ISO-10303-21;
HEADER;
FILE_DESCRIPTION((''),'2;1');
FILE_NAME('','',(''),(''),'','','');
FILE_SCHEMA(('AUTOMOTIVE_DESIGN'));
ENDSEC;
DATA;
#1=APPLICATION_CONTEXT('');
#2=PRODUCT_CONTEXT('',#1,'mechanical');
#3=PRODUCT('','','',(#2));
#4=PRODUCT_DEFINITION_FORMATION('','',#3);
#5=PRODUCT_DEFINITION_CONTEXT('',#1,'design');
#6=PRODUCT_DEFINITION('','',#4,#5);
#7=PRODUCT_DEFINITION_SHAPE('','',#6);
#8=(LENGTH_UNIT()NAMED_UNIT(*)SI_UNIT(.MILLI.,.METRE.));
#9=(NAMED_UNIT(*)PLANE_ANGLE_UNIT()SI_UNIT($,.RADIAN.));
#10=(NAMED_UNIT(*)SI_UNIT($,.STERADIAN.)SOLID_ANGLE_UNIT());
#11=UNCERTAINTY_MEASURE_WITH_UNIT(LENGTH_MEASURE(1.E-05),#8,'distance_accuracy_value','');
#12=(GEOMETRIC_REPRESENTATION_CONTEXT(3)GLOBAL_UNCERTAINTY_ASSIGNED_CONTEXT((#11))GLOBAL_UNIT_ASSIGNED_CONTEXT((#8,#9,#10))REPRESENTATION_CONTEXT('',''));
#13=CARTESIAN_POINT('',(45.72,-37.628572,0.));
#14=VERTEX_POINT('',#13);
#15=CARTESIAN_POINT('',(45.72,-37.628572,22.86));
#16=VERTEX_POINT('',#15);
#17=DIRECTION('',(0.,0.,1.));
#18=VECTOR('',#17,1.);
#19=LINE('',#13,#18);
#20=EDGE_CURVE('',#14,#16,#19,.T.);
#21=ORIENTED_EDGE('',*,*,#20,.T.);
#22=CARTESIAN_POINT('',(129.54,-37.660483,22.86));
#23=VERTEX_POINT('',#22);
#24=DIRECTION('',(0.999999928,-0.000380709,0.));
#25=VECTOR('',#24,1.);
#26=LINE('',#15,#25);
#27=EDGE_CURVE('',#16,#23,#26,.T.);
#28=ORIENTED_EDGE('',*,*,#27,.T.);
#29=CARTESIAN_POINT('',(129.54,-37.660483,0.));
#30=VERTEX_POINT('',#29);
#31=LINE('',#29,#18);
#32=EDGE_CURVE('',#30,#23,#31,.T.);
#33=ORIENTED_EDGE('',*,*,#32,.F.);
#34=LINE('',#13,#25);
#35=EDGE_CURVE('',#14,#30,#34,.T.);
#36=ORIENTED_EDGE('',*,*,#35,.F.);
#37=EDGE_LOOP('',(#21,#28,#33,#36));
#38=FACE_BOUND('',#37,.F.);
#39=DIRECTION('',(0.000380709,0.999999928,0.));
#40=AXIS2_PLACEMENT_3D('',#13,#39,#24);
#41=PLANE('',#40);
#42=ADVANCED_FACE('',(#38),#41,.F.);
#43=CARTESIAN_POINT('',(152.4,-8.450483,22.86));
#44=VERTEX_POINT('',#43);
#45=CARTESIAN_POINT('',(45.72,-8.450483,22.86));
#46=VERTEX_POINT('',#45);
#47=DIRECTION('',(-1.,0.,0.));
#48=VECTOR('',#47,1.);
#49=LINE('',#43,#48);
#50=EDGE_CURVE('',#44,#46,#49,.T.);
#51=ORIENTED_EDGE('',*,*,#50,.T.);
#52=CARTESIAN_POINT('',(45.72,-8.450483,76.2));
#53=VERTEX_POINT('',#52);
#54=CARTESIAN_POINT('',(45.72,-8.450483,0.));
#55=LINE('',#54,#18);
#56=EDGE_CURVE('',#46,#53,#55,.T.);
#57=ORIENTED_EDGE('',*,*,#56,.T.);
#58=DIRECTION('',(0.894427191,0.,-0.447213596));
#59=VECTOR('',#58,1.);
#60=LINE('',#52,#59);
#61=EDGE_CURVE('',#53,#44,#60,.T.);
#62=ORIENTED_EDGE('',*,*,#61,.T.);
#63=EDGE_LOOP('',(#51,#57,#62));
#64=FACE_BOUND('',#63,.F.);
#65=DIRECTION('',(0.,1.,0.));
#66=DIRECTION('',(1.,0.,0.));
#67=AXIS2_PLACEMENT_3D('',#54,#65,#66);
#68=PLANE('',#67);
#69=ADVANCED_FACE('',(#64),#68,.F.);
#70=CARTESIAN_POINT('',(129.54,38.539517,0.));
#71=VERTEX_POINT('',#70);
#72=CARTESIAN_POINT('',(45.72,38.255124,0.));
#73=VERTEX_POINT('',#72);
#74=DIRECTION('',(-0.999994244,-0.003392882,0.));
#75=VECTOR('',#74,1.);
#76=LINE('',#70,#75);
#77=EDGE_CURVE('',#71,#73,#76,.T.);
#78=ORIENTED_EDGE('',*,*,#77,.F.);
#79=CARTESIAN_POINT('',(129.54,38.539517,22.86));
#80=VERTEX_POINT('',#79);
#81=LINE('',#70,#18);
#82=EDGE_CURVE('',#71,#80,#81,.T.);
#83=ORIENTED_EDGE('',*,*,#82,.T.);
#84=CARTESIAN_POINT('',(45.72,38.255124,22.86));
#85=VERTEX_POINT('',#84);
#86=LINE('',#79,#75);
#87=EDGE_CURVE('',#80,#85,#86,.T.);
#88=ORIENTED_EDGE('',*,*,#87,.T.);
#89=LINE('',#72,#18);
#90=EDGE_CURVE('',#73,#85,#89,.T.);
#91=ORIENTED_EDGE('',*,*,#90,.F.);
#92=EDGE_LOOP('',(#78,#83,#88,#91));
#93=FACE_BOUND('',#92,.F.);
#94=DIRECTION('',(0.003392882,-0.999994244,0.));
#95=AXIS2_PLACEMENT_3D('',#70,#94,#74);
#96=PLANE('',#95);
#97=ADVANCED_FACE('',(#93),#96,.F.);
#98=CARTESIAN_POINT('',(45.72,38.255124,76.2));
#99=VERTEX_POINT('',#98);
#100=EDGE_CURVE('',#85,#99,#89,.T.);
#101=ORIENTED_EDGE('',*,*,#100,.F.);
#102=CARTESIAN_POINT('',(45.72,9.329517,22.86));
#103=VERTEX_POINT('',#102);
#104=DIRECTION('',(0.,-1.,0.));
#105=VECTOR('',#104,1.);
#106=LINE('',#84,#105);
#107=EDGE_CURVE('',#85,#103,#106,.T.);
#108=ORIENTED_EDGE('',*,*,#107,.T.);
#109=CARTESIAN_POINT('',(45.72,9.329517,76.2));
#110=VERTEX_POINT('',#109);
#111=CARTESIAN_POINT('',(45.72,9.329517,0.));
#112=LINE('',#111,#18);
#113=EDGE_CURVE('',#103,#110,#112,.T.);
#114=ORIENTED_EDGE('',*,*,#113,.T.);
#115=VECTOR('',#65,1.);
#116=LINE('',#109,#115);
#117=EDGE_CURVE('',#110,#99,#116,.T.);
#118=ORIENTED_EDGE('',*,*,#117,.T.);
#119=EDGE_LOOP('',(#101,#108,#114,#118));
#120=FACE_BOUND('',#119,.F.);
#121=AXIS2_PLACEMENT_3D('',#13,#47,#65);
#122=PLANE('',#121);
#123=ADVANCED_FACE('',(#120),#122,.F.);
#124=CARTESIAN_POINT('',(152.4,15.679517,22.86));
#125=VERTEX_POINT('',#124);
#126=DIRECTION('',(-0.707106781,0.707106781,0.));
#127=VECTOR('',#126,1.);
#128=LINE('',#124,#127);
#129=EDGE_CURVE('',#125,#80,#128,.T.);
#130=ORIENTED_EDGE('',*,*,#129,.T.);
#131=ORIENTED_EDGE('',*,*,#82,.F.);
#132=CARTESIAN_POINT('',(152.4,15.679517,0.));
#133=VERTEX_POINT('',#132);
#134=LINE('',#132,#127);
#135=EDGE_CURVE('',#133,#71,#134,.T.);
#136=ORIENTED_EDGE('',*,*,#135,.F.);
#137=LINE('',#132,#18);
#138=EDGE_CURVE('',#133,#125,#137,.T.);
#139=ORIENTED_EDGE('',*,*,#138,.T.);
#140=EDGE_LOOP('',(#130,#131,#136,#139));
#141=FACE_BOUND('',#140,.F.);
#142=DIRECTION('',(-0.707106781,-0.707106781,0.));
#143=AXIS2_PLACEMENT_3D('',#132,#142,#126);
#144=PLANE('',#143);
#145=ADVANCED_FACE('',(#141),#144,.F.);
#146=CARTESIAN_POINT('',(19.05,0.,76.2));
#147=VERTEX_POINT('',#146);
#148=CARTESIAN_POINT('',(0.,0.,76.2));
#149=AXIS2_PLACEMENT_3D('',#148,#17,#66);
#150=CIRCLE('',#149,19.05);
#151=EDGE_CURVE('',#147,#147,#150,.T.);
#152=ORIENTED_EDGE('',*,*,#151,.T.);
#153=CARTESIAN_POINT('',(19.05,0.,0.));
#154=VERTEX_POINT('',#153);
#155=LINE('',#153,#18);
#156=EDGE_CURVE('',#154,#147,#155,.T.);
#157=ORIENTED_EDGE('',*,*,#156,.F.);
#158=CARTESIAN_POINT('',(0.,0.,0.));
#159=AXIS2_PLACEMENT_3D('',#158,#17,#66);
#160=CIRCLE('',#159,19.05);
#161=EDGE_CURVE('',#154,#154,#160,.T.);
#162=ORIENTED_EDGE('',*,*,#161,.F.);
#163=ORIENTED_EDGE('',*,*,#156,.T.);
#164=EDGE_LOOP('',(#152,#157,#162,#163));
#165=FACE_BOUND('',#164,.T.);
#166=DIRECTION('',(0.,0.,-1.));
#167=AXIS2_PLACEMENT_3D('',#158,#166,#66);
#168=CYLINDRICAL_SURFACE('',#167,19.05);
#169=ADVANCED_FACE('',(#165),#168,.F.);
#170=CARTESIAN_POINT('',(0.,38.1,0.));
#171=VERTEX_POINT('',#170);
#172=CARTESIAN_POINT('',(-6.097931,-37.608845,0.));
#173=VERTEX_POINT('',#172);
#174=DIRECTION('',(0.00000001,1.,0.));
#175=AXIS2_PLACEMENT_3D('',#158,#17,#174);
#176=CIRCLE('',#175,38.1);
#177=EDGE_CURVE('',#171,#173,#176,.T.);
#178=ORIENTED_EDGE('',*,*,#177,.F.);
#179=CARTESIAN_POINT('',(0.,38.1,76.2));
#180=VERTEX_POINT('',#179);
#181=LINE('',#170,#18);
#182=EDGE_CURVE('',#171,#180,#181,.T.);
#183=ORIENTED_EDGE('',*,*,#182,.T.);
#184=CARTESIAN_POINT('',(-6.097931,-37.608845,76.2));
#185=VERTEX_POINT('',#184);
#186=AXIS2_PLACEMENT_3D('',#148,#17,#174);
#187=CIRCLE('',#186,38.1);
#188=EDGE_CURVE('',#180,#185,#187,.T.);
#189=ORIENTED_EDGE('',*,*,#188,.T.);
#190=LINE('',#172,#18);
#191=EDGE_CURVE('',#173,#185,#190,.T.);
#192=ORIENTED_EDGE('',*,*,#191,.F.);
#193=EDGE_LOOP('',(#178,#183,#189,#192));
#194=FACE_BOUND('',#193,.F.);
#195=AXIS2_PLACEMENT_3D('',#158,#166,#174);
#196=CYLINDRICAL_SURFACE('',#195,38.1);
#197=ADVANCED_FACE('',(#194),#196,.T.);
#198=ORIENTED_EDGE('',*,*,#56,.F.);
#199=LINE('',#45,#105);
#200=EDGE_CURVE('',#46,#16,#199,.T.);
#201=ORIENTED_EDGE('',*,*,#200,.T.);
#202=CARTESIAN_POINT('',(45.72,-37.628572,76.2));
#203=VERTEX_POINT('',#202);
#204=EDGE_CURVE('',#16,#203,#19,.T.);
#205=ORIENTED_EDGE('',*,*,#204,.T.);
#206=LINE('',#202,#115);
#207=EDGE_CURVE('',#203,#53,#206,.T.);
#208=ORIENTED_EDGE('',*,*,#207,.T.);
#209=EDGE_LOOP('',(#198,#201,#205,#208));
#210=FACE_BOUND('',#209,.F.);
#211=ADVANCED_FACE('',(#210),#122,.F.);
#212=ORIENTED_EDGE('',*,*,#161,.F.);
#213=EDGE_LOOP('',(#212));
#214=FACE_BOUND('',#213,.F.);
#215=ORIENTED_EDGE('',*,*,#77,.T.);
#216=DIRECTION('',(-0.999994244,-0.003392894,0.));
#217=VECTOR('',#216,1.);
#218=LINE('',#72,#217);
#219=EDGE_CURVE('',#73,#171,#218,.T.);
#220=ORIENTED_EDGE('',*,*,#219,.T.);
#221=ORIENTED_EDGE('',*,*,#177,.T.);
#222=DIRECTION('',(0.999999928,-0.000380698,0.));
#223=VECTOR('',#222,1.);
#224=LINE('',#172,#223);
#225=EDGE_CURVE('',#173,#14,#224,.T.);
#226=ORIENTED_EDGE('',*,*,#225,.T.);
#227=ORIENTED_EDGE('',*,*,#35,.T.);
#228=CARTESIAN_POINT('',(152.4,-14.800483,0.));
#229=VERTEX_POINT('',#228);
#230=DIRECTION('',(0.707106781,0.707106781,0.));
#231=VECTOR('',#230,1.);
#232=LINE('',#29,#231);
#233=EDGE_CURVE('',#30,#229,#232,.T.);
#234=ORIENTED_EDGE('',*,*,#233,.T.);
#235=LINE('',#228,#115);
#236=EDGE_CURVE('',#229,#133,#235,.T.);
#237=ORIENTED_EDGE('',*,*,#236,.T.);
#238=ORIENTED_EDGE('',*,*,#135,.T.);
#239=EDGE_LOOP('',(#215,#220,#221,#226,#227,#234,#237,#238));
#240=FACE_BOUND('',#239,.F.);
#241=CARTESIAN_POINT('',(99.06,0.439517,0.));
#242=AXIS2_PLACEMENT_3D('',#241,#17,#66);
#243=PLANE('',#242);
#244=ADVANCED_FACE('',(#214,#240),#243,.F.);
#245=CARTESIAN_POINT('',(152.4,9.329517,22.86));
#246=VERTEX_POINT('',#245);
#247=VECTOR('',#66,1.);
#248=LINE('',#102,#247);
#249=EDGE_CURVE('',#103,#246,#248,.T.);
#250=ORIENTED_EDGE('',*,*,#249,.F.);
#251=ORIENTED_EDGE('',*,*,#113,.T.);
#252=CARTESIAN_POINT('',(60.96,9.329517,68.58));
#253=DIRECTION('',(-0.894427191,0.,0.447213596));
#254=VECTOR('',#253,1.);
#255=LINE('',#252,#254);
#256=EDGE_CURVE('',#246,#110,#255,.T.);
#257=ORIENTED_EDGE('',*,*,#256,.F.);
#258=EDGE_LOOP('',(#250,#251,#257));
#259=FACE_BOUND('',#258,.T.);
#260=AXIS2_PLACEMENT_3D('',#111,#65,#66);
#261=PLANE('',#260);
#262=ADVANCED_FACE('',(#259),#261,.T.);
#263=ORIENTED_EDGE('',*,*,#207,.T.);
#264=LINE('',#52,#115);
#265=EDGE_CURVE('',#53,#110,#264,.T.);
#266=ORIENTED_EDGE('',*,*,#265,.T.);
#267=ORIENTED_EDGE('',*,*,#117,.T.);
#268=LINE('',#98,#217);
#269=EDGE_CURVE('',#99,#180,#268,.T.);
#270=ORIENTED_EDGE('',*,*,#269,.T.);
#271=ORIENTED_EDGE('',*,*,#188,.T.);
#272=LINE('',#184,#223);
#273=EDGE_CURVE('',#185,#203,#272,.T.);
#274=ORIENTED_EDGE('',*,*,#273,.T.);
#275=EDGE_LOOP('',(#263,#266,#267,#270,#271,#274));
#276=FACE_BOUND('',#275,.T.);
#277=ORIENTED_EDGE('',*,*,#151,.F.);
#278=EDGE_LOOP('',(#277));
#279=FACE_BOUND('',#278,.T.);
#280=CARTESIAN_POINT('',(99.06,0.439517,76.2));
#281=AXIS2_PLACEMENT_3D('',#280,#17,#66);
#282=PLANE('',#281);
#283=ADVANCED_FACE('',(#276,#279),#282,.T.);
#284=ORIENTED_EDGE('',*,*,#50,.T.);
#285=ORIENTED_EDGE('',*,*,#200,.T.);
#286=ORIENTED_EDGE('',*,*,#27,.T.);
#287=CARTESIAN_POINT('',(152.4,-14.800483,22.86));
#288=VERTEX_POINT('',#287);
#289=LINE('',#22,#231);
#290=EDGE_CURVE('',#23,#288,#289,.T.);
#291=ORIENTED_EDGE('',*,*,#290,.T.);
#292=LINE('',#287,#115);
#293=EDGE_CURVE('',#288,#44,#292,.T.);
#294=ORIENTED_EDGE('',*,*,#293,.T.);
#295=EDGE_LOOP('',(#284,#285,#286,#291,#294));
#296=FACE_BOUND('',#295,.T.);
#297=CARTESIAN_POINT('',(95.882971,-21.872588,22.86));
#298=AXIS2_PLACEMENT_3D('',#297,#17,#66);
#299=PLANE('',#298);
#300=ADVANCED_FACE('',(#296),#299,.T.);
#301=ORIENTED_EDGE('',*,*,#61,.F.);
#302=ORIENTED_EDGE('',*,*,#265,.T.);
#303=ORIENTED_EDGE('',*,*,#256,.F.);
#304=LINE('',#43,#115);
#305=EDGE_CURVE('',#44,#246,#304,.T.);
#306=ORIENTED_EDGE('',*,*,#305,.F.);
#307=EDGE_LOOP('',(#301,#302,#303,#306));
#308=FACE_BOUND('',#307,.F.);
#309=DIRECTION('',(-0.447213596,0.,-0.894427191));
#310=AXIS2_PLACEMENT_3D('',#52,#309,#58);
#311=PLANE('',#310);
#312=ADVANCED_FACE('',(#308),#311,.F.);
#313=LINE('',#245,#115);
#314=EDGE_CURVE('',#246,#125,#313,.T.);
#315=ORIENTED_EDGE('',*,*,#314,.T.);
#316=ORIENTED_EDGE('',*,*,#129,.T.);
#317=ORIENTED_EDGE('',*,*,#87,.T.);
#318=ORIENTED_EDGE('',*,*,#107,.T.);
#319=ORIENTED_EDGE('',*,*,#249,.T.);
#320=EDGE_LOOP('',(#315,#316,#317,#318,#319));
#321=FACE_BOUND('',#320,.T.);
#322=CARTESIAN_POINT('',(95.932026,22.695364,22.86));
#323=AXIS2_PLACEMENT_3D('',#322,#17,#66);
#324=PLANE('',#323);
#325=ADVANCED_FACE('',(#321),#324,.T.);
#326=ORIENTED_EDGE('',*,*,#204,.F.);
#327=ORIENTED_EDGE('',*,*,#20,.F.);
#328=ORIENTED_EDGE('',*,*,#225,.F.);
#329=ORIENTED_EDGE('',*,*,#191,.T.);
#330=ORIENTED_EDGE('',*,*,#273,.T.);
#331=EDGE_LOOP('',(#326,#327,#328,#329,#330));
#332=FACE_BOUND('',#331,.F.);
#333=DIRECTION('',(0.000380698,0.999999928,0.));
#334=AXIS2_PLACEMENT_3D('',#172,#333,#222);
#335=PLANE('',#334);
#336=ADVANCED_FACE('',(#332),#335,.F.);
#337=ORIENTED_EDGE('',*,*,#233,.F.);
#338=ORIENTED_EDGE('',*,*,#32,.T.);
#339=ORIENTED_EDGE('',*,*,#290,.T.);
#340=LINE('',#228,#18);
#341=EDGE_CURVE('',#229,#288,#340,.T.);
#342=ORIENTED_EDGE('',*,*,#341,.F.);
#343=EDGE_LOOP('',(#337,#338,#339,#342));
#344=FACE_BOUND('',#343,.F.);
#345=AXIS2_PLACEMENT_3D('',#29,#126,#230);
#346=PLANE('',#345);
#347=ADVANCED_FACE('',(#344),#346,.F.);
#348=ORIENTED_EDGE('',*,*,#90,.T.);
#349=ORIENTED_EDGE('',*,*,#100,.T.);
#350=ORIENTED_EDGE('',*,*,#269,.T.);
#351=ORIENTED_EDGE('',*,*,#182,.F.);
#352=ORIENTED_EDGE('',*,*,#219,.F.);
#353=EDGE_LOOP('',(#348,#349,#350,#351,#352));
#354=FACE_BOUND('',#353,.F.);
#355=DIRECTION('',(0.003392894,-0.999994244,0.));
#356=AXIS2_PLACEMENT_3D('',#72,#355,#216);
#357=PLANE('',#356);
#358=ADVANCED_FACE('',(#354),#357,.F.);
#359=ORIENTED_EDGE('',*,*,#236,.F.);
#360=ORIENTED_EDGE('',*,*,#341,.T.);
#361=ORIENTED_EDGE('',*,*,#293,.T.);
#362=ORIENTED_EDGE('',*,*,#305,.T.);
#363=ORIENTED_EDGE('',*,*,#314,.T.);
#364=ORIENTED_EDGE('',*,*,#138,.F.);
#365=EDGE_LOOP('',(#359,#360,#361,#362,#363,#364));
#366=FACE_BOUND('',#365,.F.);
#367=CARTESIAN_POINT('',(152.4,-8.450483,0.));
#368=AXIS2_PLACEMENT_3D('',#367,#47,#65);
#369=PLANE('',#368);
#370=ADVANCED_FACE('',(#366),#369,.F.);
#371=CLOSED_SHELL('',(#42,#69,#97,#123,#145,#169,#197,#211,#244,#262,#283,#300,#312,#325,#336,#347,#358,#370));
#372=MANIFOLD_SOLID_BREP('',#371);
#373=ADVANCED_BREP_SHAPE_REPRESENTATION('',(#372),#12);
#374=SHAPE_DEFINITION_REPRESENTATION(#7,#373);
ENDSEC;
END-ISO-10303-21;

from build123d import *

# Parameters (mm, degrees)
F1_DEPTH = 22.86
F0_R     = 19.05
F2_DEPTH = 76.2
F3_DEPTH = 22.86
F0_W     = 106.68
F0_H     = 17.78
F4_DEPTH = 76.2
F6_DEPTH = 25.4


with BuildPart() as f1:
    # F0 (on Top) → F1 (new body)
    with BuildSketch(Plane.XY):
        Polygon((45.72, -8.450483), (45.72, -37.628572), (129.54, -37.660483), (152.4, -14.800483), (152.4, -8.450483), align=None)
    extrude(amount=F1_DEPTH)

    # F0 (on Top) → F2 (join)
    with BuildSketch(Plane.XY):
        with BuildLine():
            Line((45.72, 38.255124), (0, 38.1))
            ThreePointArc((0, 38.1), (-37.977013, 3.05884), (-6.097931, -37.608845))
            Line((-6.097931, -37.608845), (45.72, -37.628572))
            Line((45.72, -37.628572), (45.72, -8.450483))
            Line((45.72, -8.450483), (45.72, 9.329517))
            Line((45.72, 9.329517), (45.72, 38.255124))
        make_face()
        Circle(F0_R, mode=Mode.SUBTRACT)
    extrude(amount=F2_DEPTH)

    # F0 (on Top) → F3 (join)
    with BuildSketch(Plane.XY):
        Polygon((129.54, 38.539517), (45.72, 38.255124), (45.72, 9.329517), (152.4, 9.329517), (152.4, 15.679517), align=None)
    extrude(amount=F3_DEPTH)

    # F0 (on Top) → F4 (join)
    with BuildSketch(Plane.XY):
        with Locations((99.06, 0.439517)):
            Rectangle(F0_W, F0_H)
    extrude(amount=F4_DEPTH)

    # F5 (on face) → F6 (cut)
    with BuildSketch(Plane.XZ.offset(8.450483)):
        Polygon((152.4, 76.2), (45.72, 76.2), (152.4, 22.86), align=None)
    extrude(amount=-F6_DEPTH, mode=Mode.SUBTRACT)


solid = f1.part
